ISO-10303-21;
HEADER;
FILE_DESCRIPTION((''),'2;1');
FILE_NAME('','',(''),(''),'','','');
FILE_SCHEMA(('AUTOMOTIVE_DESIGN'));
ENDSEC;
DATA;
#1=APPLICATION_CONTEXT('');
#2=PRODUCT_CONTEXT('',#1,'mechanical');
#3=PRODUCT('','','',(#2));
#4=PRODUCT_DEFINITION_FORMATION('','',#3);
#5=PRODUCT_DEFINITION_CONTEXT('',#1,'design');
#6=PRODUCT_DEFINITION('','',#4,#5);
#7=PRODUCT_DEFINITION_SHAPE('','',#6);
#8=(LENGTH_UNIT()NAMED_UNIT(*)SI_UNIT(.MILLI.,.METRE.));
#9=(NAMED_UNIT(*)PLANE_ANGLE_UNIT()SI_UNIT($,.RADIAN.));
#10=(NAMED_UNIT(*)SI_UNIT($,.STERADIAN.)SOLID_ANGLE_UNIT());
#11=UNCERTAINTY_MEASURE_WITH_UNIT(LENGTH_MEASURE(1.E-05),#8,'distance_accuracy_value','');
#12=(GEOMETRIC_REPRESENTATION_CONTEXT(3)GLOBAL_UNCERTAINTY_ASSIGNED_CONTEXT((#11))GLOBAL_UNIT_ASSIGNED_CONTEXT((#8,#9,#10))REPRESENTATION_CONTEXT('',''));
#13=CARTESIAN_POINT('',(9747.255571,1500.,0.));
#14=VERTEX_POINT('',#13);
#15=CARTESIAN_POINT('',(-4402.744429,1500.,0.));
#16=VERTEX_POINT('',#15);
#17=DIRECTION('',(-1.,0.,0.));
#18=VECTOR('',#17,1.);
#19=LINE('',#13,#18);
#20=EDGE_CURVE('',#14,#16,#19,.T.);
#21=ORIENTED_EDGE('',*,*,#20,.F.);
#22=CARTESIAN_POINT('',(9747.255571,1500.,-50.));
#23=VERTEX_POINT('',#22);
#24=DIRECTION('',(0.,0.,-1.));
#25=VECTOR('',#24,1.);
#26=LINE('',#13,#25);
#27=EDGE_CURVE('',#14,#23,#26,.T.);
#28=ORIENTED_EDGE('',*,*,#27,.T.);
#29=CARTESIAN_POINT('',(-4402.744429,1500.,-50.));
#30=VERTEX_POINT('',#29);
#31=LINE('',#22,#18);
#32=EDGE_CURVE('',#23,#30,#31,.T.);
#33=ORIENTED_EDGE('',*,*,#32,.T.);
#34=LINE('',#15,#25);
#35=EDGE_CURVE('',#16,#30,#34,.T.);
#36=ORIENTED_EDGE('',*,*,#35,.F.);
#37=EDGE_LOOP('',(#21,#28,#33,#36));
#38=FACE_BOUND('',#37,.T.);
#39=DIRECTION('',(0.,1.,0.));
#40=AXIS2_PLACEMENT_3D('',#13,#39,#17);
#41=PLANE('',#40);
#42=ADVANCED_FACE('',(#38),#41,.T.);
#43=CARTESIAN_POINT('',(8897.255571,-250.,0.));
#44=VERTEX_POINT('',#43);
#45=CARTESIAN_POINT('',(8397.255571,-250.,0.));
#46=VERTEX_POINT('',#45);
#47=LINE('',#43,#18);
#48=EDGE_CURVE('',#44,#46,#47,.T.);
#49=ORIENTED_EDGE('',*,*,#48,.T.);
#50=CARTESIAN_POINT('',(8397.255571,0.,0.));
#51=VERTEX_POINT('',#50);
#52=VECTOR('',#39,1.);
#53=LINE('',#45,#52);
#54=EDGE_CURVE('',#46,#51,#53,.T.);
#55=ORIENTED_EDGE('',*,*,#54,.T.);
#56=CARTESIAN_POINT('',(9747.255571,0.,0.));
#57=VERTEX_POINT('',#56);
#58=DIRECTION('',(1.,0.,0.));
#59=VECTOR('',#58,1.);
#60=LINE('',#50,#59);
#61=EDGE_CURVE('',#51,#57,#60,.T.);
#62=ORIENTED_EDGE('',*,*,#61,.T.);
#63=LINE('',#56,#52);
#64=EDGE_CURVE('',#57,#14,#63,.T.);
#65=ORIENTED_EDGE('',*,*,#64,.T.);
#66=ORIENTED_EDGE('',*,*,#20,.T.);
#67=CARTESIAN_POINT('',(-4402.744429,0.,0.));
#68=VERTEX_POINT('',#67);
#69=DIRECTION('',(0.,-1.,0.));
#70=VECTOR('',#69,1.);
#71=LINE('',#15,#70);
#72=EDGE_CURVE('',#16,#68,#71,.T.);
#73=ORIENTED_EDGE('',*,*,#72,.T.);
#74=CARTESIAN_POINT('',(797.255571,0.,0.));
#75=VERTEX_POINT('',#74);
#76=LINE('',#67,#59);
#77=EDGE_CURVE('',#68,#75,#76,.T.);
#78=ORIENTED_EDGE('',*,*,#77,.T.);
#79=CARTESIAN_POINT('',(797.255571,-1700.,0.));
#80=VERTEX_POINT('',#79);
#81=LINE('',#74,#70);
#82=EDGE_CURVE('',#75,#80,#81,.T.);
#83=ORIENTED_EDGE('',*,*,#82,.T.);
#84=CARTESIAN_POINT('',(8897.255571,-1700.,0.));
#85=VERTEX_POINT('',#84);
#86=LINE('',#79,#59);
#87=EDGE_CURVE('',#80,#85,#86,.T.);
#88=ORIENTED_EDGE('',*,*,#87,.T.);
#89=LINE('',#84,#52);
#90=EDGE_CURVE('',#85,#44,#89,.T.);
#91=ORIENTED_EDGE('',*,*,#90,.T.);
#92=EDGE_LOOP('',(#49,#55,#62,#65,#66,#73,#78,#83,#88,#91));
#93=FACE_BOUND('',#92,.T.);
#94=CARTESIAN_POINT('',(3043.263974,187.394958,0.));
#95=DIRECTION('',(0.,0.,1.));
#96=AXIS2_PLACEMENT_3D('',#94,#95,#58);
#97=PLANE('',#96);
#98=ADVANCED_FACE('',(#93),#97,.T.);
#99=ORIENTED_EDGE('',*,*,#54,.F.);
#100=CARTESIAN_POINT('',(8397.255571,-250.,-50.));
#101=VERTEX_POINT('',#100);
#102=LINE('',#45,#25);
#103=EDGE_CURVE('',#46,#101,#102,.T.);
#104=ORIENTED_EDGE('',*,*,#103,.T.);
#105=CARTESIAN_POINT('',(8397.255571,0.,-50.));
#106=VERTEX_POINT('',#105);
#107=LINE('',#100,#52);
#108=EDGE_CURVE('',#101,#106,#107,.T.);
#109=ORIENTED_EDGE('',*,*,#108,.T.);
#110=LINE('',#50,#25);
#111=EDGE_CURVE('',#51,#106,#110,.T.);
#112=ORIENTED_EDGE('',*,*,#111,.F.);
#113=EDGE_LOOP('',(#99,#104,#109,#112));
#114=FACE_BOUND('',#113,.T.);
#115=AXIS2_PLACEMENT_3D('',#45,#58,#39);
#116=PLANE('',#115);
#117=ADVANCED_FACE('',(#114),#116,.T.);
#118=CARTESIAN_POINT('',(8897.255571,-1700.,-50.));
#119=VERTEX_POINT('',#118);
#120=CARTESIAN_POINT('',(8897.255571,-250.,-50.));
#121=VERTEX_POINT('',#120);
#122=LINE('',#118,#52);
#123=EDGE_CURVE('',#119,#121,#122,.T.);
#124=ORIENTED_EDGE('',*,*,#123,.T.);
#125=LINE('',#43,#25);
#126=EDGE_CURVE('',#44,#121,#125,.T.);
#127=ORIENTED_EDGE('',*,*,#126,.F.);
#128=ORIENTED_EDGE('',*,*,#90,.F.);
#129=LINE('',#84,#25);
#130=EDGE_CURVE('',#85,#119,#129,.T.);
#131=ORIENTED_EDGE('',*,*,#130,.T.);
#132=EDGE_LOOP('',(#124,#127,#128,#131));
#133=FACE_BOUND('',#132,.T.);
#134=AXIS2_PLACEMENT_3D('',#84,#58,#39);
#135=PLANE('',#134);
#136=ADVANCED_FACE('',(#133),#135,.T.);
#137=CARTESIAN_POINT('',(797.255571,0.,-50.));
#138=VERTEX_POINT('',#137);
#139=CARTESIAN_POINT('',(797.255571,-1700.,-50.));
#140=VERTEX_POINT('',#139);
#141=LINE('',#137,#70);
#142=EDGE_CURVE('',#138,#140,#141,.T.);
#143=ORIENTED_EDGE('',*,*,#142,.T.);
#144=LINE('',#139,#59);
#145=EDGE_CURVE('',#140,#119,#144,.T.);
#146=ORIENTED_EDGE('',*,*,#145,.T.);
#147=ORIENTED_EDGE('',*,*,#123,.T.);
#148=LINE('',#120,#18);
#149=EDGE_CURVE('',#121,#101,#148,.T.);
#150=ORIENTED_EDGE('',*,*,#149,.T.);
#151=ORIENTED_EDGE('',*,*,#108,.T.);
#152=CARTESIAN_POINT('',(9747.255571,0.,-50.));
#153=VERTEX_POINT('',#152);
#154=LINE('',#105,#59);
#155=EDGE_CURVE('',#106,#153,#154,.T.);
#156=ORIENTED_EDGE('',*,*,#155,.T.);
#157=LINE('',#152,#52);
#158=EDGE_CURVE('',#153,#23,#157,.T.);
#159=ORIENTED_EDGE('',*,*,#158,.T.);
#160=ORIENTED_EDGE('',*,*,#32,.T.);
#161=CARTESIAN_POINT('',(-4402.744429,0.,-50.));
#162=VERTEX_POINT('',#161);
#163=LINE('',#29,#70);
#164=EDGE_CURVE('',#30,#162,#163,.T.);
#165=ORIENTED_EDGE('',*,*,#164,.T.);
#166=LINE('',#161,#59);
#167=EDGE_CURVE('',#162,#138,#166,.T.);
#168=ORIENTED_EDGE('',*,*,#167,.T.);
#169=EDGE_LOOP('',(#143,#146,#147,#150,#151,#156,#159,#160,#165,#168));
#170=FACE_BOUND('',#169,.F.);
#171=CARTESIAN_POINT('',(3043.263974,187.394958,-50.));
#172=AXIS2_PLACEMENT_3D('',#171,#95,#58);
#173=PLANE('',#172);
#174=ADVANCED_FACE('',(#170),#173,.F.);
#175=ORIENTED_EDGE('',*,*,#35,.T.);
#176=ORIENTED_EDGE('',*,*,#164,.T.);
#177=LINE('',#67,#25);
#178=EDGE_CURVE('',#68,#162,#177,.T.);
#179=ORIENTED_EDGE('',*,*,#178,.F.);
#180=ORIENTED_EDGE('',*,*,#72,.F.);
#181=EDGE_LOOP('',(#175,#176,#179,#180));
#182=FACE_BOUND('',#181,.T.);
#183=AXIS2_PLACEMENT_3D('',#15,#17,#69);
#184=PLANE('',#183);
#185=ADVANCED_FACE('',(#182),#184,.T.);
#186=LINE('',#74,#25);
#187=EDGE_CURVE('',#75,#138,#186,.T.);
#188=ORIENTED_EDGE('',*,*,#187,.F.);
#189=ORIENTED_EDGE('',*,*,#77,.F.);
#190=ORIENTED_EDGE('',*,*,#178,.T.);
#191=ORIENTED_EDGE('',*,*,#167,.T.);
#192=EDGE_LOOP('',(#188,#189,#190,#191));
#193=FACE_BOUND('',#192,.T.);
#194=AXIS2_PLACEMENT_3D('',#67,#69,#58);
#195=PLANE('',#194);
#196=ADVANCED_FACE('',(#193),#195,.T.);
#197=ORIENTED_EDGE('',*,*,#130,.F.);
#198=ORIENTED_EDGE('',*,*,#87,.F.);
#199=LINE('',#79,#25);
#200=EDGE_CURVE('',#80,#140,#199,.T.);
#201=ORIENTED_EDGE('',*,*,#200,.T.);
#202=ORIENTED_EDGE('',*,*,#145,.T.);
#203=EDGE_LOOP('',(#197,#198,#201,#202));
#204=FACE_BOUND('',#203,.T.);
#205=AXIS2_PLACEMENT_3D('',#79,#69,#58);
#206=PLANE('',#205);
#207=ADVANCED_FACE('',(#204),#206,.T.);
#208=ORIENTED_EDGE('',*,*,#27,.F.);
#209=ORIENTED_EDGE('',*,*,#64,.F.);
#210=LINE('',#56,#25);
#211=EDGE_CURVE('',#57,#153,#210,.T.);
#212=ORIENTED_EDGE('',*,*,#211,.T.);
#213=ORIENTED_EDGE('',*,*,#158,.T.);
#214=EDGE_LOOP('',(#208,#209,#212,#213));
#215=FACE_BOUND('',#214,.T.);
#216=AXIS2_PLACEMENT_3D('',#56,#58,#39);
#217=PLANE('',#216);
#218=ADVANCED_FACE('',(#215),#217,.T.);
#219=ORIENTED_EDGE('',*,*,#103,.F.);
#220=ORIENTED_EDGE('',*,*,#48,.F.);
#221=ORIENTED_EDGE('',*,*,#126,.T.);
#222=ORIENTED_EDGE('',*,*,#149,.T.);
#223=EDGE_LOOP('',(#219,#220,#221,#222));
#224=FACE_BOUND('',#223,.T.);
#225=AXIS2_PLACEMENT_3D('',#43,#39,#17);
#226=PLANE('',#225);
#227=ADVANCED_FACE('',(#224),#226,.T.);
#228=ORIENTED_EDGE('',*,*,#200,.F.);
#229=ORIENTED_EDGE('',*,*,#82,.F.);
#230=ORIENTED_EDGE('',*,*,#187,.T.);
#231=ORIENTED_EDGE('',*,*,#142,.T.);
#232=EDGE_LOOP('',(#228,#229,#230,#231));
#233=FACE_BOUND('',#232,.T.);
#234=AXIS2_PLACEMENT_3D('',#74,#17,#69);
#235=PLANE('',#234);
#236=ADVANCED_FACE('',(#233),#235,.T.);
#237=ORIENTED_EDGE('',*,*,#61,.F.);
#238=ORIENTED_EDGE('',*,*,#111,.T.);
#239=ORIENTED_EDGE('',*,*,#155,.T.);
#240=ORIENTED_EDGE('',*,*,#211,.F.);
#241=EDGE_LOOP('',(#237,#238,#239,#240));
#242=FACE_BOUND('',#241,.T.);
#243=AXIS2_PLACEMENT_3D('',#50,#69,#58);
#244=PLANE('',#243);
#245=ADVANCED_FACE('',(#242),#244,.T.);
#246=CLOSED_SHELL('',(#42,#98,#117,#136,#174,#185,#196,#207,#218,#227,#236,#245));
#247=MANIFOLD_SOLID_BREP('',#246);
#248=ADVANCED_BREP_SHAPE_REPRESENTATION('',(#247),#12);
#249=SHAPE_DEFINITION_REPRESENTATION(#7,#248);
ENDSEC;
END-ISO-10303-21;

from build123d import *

# Parameters (mm, degrees)
F1_DEPTH = 50


with BuildPart() as f1:
    # F0 (on Top) → F1 (new body)
    with BuildSketch(Plane.XY):
        Polygon((-4402.744429, 1500), (-4402.744429, 0), (797.255571, 0), (797.255571, -1700), (8897.255571, -1700), (8897.255571, -250), (8397.255571, -250), (8397.255571, 0), (9747.255571, 0), (9747.255571, 1500), align=None)
    extrude(amount=-F1_DEPTH)


solid = f1.part
